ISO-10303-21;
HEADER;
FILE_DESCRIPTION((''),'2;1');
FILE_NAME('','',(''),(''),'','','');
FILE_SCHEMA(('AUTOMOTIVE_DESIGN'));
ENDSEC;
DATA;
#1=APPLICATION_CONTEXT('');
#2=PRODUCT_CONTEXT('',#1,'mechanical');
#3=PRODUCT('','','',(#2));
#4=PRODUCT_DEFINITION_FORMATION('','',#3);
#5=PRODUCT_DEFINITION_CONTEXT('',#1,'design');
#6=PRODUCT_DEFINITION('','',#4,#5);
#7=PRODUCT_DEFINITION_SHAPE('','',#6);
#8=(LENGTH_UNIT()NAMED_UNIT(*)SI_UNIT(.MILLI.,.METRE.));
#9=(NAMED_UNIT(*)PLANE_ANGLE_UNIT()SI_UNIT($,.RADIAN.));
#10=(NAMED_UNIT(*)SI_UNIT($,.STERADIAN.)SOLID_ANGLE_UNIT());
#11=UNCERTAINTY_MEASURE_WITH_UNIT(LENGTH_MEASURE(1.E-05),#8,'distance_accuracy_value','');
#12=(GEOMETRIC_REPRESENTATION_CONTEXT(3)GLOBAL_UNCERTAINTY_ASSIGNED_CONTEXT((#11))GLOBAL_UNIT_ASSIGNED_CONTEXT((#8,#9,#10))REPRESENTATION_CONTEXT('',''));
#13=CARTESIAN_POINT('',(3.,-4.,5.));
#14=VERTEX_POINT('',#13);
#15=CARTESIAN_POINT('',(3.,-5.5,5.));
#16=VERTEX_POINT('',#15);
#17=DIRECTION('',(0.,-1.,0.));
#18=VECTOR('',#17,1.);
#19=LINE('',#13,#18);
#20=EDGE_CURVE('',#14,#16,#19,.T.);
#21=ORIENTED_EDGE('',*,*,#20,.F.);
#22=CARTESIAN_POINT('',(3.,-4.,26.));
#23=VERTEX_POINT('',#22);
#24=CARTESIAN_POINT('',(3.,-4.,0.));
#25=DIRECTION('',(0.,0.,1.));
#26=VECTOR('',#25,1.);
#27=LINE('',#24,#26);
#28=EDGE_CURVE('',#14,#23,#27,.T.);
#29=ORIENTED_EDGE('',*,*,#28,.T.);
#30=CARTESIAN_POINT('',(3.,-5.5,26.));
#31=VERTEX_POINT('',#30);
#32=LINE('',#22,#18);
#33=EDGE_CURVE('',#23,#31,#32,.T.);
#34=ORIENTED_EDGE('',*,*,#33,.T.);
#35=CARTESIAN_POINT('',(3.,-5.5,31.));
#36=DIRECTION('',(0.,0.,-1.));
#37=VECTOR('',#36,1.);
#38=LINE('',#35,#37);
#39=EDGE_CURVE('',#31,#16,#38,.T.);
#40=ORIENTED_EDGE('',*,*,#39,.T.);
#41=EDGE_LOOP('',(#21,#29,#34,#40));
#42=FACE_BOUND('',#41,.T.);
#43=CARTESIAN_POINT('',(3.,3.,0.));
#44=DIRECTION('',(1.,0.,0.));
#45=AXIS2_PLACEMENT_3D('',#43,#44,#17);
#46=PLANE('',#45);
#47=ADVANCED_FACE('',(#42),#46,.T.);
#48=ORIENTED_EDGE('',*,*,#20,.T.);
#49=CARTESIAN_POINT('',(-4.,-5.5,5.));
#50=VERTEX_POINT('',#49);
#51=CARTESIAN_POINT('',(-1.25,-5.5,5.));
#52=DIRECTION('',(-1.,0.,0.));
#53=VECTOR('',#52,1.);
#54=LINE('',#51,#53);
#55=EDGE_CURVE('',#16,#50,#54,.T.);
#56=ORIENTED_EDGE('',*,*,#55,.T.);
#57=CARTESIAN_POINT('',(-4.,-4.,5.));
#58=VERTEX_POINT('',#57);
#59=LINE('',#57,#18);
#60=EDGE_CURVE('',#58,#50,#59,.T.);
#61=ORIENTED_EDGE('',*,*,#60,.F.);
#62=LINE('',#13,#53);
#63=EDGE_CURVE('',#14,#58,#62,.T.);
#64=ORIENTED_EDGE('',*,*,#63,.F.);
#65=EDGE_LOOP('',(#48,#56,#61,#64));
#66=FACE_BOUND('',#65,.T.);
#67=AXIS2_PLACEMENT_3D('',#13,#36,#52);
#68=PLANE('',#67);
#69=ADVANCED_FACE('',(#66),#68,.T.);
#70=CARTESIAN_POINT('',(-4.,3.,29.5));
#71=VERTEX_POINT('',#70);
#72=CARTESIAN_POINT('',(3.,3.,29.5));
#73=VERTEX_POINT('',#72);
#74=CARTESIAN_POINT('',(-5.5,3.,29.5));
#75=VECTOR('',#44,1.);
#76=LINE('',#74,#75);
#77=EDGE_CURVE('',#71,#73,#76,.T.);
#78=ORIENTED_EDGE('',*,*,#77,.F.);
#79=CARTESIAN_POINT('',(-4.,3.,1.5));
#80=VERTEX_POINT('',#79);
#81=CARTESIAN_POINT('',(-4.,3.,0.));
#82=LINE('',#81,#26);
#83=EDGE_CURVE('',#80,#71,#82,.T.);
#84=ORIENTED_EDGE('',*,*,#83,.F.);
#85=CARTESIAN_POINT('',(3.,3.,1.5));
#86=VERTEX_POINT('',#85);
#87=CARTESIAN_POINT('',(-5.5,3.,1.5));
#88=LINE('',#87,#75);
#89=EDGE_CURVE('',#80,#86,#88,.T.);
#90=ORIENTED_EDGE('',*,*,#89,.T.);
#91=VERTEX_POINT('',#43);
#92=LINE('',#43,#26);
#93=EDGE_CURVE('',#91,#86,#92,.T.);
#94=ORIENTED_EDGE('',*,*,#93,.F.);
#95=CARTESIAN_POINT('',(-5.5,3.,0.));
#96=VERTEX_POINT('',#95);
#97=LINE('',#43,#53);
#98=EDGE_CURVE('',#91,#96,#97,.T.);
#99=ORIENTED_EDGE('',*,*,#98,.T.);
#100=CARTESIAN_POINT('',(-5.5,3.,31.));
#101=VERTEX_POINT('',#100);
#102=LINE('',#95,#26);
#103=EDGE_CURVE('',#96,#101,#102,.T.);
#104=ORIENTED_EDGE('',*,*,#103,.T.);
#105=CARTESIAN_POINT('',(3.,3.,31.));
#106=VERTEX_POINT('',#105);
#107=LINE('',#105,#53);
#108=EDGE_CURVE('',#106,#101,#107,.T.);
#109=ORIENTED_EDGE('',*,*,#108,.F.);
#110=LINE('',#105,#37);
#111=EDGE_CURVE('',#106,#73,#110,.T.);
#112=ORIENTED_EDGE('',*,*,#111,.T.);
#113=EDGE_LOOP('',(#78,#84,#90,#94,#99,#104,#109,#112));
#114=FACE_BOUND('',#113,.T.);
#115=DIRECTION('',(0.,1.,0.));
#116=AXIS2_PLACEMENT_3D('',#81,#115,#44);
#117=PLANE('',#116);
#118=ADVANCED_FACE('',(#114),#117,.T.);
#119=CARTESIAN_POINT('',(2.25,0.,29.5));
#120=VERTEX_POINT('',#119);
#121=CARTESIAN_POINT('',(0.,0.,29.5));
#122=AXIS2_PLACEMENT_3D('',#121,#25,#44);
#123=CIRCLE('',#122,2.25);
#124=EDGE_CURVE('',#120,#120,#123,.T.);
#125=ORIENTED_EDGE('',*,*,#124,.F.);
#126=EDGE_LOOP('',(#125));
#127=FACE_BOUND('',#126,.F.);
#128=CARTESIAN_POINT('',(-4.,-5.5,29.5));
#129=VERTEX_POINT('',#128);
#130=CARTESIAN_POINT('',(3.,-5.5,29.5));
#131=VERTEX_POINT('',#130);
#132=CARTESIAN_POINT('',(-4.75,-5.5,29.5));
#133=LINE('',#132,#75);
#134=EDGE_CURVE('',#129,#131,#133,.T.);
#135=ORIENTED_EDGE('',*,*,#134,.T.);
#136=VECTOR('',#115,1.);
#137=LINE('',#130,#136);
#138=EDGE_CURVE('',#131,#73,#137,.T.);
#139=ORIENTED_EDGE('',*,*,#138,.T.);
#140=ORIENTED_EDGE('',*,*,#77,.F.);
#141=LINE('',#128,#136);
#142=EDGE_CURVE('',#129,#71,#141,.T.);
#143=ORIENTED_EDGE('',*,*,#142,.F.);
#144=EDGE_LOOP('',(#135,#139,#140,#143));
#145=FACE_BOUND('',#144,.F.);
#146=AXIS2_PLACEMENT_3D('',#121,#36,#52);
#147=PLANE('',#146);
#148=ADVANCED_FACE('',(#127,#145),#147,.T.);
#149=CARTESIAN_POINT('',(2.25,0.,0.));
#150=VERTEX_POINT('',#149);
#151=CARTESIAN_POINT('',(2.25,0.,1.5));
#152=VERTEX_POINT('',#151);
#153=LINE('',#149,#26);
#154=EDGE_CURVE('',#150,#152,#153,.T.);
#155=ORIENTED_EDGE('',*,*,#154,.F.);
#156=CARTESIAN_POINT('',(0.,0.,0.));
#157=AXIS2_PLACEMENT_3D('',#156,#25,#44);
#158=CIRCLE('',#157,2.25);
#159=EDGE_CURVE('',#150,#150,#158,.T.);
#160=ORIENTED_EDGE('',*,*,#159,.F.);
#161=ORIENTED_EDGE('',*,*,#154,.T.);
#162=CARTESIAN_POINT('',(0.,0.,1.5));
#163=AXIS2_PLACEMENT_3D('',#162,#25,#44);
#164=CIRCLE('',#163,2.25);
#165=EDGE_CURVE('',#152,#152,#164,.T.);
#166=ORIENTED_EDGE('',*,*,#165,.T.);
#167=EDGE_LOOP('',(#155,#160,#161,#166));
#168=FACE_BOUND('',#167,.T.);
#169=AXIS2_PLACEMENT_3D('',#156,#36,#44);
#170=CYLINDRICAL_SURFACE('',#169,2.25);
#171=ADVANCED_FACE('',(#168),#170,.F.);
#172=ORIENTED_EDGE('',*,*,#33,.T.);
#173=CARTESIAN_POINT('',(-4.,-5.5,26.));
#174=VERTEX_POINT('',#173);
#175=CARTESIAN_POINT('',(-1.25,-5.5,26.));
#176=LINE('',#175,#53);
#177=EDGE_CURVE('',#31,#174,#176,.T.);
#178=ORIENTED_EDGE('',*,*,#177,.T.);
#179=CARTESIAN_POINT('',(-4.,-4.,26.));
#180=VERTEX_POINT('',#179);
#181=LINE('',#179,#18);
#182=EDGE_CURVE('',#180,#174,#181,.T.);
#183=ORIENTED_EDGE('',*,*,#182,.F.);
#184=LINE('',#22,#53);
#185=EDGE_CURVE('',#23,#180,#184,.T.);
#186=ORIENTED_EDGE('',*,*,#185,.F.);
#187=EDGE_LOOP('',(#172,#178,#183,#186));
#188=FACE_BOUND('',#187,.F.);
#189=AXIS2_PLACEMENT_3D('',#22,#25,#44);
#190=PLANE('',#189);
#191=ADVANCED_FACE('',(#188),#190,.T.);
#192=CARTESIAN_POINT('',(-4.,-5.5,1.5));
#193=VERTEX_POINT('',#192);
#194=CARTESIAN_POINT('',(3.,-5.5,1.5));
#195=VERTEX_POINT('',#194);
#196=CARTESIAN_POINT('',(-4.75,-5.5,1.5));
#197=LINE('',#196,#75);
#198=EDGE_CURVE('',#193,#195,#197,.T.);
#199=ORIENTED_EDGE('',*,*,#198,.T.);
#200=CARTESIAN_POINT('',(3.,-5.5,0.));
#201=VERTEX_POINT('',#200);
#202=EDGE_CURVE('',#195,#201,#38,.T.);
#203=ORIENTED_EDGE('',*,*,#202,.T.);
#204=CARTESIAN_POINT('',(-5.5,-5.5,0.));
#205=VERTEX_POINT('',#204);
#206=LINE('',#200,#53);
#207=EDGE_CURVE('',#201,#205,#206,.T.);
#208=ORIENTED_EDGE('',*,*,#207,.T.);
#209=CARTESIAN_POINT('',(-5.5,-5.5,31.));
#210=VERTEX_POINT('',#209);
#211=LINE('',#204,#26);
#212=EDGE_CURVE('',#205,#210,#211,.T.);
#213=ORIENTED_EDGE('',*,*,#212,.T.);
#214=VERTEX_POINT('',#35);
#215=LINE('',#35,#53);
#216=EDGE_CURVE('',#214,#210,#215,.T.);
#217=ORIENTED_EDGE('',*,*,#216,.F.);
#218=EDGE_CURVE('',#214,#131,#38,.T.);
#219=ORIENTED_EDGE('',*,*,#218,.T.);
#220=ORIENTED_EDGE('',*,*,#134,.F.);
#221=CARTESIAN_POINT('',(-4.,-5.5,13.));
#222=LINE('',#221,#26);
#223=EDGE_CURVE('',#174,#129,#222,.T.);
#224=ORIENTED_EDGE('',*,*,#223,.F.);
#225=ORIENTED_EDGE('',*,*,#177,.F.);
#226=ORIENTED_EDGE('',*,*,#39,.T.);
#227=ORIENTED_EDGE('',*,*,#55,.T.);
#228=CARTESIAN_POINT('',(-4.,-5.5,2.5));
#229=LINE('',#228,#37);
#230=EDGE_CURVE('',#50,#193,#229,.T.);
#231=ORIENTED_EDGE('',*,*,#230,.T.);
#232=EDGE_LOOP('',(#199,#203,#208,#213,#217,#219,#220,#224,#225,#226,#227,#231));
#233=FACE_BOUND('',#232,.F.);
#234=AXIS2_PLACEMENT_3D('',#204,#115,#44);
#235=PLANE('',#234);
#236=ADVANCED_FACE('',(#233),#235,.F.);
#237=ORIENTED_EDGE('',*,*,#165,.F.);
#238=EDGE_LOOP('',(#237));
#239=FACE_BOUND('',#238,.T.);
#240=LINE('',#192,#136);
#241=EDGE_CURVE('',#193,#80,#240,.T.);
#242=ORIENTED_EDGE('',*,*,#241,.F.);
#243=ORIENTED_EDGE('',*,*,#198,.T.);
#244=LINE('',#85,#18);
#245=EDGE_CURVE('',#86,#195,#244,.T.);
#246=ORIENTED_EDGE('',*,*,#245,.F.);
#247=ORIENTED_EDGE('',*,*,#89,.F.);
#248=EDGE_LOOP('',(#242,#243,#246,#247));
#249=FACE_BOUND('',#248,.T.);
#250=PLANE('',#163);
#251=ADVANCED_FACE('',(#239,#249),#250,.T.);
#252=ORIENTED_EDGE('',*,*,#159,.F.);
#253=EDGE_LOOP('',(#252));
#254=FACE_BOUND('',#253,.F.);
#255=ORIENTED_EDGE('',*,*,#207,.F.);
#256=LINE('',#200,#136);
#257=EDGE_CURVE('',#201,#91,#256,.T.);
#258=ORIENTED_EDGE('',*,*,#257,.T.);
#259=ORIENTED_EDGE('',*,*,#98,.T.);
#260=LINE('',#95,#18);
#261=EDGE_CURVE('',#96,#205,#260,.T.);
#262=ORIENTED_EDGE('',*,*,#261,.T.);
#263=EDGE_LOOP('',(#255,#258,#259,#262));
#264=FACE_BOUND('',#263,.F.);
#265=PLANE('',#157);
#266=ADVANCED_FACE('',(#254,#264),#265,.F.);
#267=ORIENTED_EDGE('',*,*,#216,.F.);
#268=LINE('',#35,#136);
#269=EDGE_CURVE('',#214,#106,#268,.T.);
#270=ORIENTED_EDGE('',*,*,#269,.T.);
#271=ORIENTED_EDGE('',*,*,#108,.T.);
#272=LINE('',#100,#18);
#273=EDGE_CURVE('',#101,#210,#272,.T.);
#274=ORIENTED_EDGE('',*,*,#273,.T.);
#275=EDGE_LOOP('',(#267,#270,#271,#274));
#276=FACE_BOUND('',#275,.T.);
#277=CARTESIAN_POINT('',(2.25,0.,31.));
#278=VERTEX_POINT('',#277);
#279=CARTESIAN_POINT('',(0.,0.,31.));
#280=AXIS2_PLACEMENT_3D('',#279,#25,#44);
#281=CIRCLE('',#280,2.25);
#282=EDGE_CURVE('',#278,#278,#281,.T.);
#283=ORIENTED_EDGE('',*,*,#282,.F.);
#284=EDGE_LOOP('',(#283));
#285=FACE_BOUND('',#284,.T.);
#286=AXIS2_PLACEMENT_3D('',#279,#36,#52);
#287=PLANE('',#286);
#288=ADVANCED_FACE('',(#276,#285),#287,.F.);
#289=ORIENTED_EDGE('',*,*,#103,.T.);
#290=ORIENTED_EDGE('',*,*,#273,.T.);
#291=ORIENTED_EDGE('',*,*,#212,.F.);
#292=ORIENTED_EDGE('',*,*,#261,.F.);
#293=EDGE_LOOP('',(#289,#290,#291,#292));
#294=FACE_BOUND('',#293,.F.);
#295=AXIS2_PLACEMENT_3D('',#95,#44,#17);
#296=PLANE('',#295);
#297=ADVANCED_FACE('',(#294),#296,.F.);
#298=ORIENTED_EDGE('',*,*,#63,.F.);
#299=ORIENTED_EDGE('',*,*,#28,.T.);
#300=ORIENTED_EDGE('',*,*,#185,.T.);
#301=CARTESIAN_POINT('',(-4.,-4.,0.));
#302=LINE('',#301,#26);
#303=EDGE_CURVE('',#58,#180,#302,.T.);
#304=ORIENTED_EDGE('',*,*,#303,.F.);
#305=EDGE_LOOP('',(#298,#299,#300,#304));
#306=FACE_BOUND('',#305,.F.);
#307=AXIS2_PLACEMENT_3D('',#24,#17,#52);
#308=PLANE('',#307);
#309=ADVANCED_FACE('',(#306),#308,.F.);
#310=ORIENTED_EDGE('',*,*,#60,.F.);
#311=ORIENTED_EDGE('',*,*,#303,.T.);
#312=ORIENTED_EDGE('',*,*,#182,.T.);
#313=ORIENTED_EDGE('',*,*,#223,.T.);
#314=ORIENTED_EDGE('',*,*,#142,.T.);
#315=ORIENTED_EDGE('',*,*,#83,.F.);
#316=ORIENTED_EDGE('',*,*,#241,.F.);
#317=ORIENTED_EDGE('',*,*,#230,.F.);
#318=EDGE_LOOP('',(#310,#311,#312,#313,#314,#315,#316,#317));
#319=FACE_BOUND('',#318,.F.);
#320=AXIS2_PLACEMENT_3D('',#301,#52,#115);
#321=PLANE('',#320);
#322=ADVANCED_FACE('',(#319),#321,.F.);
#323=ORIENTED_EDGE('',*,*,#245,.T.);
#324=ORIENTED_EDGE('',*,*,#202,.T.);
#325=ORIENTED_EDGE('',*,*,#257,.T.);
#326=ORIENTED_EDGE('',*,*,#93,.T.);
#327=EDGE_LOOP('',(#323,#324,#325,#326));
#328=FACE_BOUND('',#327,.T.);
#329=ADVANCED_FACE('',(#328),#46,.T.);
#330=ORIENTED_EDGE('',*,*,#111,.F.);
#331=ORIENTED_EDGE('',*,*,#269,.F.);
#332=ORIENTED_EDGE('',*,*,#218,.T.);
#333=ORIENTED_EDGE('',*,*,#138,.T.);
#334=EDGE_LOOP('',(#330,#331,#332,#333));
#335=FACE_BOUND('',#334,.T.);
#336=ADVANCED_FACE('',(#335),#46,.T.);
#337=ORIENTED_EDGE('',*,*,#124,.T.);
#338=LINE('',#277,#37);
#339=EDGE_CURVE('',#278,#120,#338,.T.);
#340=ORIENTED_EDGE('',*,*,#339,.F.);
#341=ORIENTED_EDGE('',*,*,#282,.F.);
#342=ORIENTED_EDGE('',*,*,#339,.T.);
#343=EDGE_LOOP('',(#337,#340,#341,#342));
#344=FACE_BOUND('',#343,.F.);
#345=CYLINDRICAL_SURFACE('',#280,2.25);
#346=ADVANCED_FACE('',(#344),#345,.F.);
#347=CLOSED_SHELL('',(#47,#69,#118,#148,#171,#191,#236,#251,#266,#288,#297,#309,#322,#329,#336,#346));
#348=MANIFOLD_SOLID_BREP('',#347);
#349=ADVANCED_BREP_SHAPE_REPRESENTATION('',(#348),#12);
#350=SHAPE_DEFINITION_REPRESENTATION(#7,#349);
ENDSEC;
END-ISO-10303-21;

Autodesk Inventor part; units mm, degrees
ref_plane "YZ Plane" through (0, 0, 0) normal (1, 0, 0) x (0, 1, 0)
ref_plane "XZ Plane" through (0, 0, 0) normal (0, 1, 0) x (-1, 0, 0)
sketch "Sketch1" plane through (0, 0, 0) normal (0, 0, 1) x (1, 0, 0)
  circle A0 centre (0, 0) radius 2.25
  line L0 (-4, 3) -> (3, 3)
  line L1 (3, 3) -> (3, -4)
  line L2 (3, -4) -> (-4, -4)
  line L3 (-4, -4) -> (-4, 3)
  line L4 (-4, 3) -> (-5.5, 3)
  line L5 (-5.5, 3) -> (-5.5, -5.5)
  line L6 (-5.5, -5.5) -> (-4, -5.5)
  line L7 (-4, -5.5) -> (-4, 3)
  line L8 (3, -4) -> (-4, -4)
  line L9 (-4, -4) -> (-4, -5.5)
  line L10 (-4, -5.5) -> (3, -5.5)
  line L11 (3, -5.5) -> (3, -4)
  dimension "d0" = 4.5
  dimension "d1" = 4
  dimension "d2" = 4
  dimension "d3" = 3
  dimension "d5" = 3
  dimension "d6" = 1.5
  dimension "d7" = 1.5
extrude "Extrusion1" add sketch "Sketch1" along normal blind 1.5
extrude "Extrusion2" add sketch "Sketch1" along normal blind 29.5 contours L3 L7 L6 L5 L4 | L2 L11 L10 L7
ref_plane "Work Plane2" through (0, 0, 15.5) normal (0, 0, 1) x (1, 0, 0)
mirror "Mirror2" about plane through (0, 0, 15.5) normal (0, 0, 1) of "Extrusion1"
sketch "Sketch2" plane through (-4, -4, 1.5) normal (0, 1, 0) x (1, 0, 0)
  line L0 (7, 0) -> (7, -28) projected
  line L1 (0, 0) -> (7, 0)
  line L2 (7, 0) -> (7, -3.5)
  line L3 (7, -3.5) -> (0, -3.5)
  line L4 (0, -3.5) -> (0, 0)
  point P0 (4, 1.5)
  dimension "d13" = 3.5
extrude "Extrusion3" cut sketch "Sketch2" against normal blind 10
mirror "Mirror3" about plane through (0, 0, 15.5) normal (0, 0, 1) of "Extrusion3"
properties part number "Lifter"
